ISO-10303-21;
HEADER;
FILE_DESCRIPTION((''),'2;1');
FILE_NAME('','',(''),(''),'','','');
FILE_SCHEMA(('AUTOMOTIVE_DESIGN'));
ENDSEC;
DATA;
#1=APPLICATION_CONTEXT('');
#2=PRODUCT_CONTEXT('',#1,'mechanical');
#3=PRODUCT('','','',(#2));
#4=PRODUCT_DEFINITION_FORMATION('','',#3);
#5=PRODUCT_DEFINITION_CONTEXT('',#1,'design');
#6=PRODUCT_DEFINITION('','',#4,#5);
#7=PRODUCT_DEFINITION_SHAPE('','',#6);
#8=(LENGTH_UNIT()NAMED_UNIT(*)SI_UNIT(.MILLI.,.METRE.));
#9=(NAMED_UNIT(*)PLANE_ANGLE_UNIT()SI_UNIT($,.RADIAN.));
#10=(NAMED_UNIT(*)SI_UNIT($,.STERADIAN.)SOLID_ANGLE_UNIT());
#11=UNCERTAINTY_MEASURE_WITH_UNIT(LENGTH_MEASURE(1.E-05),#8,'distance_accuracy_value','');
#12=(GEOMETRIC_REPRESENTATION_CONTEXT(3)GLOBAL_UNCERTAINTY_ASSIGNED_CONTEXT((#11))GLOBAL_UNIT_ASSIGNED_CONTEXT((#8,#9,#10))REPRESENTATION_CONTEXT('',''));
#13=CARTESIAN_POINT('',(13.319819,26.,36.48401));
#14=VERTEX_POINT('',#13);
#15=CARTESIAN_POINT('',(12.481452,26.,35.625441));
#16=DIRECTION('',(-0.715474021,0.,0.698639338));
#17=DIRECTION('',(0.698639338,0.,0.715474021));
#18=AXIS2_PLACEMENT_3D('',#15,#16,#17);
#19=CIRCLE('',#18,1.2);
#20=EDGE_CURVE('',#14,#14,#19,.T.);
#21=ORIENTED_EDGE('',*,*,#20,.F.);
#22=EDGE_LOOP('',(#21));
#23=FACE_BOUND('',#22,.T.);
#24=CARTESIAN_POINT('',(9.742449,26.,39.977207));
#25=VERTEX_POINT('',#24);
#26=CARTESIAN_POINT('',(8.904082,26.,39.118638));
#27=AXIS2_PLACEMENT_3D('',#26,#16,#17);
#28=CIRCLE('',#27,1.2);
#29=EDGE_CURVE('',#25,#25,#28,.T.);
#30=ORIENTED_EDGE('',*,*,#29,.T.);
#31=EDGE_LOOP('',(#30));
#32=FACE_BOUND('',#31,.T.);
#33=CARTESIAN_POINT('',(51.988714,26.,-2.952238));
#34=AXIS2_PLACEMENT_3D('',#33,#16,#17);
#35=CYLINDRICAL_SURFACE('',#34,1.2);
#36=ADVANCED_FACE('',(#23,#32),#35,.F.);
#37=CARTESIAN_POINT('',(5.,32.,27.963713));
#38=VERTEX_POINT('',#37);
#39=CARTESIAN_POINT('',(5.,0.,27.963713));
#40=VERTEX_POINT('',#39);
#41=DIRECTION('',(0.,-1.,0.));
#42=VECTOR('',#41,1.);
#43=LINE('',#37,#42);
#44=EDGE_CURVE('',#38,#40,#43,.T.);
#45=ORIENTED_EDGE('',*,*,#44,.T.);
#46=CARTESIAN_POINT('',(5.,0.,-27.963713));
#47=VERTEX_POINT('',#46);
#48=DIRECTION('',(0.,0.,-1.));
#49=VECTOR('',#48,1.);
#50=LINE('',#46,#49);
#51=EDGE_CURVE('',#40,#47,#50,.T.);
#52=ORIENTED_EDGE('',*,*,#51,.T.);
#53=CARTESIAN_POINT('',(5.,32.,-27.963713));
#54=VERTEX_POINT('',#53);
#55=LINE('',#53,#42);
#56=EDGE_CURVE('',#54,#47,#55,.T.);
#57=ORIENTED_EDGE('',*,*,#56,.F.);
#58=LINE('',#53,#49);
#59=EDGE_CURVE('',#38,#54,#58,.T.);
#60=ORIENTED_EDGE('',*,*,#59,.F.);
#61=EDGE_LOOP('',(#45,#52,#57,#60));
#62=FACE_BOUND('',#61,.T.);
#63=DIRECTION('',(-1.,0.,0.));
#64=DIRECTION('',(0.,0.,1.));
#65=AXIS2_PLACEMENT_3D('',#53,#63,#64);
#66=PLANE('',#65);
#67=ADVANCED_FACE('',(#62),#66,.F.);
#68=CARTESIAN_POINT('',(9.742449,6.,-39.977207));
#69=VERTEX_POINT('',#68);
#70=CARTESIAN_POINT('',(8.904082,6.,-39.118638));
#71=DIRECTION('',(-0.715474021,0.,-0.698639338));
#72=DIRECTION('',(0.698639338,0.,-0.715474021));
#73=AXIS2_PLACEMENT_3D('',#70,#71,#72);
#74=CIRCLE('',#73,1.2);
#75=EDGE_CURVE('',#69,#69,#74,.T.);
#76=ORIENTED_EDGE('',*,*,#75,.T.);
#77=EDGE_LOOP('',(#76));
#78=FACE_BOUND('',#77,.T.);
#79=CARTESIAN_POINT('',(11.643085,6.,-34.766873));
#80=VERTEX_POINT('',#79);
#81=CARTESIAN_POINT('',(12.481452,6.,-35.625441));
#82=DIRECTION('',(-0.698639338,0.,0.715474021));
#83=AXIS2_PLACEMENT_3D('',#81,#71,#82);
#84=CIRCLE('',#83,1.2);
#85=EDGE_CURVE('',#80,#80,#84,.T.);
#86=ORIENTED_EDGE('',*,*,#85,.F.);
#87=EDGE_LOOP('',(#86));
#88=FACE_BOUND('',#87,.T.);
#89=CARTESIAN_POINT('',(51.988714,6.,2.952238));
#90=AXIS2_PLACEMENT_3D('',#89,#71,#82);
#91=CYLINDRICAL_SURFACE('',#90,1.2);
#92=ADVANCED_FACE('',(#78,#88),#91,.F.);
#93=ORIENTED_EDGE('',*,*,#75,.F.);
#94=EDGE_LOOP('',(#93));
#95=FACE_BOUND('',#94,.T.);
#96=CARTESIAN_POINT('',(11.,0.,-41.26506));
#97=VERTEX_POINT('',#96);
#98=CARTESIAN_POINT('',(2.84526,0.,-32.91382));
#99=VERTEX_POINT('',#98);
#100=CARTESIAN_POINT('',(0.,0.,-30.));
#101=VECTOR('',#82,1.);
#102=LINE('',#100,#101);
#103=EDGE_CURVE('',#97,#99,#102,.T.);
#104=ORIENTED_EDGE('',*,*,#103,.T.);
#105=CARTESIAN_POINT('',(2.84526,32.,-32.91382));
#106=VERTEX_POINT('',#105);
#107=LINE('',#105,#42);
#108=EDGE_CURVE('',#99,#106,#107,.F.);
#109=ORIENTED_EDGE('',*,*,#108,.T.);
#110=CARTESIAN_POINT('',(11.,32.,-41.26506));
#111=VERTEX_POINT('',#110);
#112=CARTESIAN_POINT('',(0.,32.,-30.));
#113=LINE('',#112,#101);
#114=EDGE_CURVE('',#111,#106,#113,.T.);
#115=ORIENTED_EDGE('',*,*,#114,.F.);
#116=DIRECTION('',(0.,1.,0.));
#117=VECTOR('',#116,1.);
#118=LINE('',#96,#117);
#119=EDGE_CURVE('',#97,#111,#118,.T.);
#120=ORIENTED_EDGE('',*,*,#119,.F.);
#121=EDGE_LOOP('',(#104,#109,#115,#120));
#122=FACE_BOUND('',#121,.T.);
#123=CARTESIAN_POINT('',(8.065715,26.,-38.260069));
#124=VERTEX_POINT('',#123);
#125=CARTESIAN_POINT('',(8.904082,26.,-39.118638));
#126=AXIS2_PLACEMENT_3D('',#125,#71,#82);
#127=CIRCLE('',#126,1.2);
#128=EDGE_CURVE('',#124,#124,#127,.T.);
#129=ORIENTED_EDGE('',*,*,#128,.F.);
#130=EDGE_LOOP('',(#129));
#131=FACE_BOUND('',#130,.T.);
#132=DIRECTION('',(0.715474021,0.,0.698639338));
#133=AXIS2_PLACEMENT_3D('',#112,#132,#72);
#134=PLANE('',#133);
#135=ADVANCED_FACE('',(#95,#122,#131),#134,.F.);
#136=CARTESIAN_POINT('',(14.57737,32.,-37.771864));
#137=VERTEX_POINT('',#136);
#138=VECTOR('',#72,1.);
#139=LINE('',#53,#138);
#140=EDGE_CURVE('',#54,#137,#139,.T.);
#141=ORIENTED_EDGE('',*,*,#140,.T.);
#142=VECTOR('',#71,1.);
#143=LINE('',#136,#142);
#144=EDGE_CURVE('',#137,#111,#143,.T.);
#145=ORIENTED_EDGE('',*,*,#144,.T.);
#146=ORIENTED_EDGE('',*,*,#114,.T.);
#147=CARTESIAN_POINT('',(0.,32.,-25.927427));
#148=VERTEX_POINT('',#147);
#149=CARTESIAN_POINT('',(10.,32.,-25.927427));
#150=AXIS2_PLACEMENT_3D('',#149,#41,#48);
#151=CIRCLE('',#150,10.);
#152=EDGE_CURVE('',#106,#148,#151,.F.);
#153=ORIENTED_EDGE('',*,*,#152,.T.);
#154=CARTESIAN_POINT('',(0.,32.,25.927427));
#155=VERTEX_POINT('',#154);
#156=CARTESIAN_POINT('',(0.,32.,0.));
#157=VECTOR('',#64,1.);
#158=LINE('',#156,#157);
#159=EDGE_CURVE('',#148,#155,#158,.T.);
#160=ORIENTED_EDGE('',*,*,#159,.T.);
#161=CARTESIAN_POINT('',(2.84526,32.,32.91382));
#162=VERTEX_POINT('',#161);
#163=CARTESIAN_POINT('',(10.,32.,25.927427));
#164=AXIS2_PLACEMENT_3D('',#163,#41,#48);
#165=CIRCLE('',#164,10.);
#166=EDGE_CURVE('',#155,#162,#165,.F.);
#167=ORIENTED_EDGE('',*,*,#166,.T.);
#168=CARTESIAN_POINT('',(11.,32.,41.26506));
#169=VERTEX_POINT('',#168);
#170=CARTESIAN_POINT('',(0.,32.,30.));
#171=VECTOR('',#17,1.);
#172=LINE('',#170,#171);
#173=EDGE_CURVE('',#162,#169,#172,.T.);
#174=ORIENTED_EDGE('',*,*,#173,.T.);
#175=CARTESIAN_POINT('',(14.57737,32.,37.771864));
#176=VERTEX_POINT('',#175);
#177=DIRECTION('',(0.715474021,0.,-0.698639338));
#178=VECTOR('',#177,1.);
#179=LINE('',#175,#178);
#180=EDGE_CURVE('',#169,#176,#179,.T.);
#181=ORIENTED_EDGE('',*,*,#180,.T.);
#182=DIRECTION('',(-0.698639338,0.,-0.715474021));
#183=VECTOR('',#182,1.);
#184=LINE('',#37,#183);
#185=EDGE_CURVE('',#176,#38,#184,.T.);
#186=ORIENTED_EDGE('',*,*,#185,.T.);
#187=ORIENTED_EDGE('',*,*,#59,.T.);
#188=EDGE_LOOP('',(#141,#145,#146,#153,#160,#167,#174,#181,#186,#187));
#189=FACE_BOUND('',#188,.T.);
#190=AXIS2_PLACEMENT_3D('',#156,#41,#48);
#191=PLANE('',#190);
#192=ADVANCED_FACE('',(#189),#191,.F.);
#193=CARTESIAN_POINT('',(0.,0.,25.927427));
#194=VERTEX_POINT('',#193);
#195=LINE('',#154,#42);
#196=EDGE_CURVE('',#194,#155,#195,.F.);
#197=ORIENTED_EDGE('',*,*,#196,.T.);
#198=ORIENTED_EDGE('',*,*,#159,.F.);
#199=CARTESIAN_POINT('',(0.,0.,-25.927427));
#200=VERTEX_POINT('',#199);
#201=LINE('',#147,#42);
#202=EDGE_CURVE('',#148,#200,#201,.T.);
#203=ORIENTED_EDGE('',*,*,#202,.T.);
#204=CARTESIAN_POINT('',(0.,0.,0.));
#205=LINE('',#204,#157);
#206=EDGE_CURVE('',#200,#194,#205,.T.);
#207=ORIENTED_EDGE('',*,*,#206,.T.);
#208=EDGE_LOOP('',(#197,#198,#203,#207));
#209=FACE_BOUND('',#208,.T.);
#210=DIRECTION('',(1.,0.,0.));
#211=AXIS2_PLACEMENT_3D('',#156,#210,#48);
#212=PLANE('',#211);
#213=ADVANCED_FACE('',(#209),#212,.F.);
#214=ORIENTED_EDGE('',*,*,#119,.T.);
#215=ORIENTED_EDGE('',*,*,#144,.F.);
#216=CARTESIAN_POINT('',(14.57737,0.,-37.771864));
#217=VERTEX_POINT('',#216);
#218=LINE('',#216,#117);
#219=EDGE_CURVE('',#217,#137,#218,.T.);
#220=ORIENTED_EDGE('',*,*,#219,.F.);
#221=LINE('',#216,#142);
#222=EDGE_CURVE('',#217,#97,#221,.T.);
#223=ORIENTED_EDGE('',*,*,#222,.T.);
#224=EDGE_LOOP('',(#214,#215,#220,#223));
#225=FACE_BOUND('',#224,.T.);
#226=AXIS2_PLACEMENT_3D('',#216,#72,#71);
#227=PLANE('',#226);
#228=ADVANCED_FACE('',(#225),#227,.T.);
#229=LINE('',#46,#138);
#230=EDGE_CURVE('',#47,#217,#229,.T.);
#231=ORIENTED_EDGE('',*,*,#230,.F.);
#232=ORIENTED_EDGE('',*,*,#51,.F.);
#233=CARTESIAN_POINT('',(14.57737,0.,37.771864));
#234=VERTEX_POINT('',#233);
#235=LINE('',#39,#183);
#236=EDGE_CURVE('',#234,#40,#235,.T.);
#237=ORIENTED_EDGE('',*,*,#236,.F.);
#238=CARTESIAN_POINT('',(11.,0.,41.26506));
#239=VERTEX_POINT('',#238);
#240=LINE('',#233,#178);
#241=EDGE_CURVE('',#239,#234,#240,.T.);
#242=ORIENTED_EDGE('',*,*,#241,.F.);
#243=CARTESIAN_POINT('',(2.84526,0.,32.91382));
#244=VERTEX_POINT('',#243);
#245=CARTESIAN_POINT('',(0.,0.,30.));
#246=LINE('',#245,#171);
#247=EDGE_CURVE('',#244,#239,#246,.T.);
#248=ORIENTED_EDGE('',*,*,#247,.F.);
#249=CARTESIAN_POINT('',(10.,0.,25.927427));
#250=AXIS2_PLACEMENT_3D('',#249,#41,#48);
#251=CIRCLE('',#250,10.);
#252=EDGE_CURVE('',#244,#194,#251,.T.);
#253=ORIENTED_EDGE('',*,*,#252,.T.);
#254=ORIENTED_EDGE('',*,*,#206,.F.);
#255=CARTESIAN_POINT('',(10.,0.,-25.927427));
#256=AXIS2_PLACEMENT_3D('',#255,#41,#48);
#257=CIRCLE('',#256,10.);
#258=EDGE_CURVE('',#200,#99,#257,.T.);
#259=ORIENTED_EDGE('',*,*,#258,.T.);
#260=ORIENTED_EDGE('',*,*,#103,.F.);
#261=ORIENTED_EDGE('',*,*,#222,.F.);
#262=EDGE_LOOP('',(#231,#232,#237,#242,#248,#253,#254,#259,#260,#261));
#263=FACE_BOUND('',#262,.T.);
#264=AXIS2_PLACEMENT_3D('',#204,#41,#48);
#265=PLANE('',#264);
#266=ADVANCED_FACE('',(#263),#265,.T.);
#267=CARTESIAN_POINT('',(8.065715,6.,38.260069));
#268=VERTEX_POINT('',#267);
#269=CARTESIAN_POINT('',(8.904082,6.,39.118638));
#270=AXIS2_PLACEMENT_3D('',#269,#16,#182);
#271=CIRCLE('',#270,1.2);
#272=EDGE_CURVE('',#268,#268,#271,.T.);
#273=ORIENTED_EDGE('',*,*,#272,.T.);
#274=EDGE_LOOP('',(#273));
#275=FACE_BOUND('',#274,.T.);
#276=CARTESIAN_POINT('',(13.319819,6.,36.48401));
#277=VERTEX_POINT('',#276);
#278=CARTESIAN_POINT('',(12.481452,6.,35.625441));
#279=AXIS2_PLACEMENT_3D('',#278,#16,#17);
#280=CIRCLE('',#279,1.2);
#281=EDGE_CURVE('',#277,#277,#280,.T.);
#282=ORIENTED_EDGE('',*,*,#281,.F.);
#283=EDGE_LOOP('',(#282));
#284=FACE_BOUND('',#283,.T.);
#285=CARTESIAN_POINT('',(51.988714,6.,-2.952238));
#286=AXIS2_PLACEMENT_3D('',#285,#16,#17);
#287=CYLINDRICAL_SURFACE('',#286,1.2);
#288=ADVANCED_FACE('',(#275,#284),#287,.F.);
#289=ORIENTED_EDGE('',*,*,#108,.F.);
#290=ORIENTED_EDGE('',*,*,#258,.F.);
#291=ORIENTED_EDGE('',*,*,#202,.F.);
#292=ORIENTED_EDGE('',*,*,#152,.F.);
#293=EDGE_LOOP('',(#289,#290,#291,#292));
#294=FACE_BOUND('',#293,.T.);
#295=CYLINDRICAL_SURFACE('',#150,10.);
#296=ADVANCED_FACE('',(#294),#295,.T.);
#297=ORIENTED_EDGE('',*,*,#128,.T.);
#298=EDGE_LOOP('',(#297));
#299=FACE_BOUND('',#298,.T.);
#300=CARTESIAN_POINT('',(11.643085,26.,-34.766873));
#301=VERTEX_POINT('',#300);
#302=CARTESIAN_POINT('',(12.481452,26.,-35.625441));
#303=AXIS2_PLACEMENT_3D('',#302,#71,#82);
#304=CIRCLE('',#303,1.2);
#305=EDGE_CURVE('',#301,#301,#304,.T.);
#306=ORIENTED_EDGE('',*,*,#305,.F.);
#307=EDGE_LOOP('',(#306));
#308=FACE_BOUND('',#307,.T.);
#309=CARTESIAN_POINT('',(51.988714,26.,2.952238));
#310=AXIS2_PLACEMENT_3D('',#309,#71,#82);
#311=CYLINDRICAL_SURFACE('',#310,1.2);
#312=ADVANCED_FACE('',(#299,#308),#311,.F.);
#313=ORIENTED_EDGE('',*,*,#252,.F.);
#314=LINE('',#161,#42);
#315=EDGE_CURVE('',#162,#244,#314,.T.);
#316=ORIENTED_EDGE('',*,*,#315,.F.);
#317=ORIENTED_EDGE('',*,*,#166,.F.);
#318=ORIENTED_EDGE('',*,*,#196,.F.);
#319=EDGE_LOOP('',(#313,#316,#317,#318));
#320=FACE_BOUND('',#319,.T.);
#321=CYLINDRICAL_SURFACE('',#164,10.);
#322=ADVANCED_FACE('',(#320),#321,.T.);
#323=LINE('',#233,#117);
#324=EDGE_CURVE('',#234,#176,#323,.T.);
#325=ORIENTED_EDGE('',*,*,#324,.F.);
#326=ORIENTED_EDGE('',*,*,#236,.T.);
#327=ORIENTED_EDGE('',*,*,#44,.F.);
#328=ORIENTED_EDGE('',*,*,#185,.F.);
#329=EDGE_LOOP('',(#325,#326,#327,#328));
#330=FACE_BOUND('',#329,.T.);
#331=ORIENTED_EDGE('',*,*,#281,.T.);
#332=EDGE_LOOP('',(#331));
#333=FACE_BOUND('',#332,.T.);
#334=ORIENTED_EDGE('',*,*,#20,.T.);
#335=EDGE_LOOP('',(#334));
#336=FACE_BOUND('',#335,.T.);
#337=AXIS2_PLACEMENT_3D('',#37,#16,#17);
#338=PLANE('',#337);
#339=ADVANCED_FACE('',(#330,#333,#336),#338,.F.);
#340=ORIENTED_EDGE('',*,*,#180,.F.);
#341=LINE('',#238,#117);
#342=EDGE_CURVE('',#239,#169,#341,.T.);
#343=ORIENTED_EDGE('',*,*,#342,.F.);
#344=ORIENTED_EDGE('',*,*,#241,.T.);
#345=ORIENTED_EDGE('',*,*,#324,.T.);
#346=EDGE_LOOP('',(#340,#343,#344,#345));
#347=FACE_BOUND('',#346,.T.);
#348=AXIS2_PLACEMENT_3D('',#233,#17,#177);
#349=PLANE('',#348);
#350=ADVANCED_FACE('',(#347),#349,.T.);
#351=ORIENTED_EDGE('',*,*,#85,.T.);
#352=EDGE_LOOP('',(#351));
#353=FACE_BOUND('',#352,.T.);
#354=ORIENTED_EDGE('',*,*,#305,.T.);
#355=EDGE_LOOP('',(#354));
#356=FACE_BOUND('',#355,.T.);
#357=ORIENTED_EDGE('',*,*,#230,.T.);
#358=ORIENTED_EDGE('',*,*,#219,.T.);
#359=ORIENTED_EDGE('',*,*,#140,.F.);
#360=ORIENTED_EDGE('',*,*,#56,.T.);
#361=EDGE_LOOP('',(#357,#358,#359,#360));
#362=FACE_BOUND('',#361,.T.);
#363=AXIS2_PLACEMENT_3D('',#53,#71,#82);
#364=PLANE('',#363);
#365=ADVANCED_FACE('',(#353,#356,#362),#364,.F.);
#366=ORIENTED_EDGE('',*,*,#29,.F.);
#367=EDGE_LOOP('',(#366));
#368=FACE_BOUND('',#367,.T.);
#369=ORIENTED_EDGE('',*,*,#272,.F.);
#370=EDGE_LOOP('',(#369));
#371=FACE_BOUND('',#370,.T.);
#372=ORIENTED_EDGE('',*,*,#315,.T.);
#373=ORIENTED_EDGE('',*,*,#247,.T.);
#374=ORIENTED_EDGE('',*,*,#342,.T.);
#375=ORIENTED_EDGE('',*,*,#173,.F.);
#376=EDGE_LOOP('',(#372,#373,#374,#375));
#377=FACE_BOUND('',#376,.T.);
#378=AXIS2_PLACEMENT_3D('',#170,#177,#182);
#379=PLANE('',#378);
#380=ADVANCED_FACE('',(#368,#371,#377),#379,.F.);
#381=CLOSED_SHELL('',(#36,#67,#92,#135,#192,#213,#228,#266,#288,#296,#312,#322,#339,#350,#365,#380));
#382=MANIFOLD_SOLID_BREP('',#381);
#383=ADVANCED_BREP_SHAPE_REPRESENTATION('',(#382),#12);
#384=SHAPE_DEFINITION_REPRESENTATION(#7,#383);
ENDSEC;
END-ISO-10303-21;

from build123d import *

# Parameters (mm, degrees)
BOSS_EXTRUDE1_DEPTH = 32
FILLET1_R           = 10
SKETCH4_W           = 170.11041037
SKETCH4_H           = 258.008077424
CUT_EXTRUDE2_DEPTH  = 33
SKETCH6_R           = 1.2
CUT_EXTRUDE3_DEPTH  = 61.218304139
SKETCH7_R           = 1.2
CUT_EXTRUDE4_DEPTH  = 61.218304139


with BuildPart() as part:
    # Sketch1 → Boss-Extrude1 (new body)
    with BuildSketch(Plane(origin=(0, 0, 0), x_dir=(1, 0, 0), z_dir=(0, 1, 0))):
        Polygon((0, 0), (0, 30), (83, 115), (83, 107.843231513), (5, 27.963713441), (5, -27.963713441), (83, -107.843231513), (83, -115), (0, -30), align=None)
    extrude(amount=BOSS_EXTRUDE1_DEPTH)

    # Fillet1
    fillet1_edges = [part.edges().sort_by_distance(p)[0] for p in [
        (0, 16, 30),
        (0, 16, -30),
    ]]
    fillet(fillet1_edges, radius=FILLET1_R)

    # Sketch4 → Cut-Extrude2 (cut, through all)
    with BuildSketch(Plane(origin=(0, 32, 0), x_dir=(1, 0, 0), z_dir=(0, 1, 0))):
        with Locations((35.635219957, -4.046970822)):
            Rectangle(SKETCH4_W, SKETCH4_H)
        Polygon((14.577370106, -37.771863549), (11, -41.265060241), (0, -41.265060241), (0, 41.265060241), (11, 41.265060241), (14.577370106, 37.771863549), align=None, mode=Mode.SUBTRACT)
    extrude(amount=-CUT_EXTRUDE2_DEPTH, mode=Mode.SUBTRACT)

    # Sketch6 → Cut-Extrude3 (cut, through all)
    with BuildSketch(Plane(origin=(-14.995748902, 0, -14.642907751), x_dir=(-0.698639338, 0, 0.715474021), z_dir=(-0.715474021, 0, -0.698639338))):
        with Locations((-34.209111306, 26)):
            Circle(SKETCH6_R)
        with Locations((-34.209111306, 6)):
            Circle(SKETCH6_R)
    extrude(amount=-CUT_EXTRUDE3_DEPTH, mode=Mode.SUBTRACT)

    # Sketch7 → Cut-Extrude4 (cut, through all)
    with BuildSketch(Plane(origin=(-14.995748902, 0, 14.642907751), x_dir=(0.698639338, 0, 0.715474021), z_dir=(-0.715474021, 0, 0.698639338))):
        with Locations((34.209111306, 26)):
            Circle(SKETCH7_R)
        with Locations((34.209111306, 6)):
            Circle(SKETCH7_R)
    extrude(amount=-CUT_EXTRUDE4_DEPTH, mode=Mode.SUBTRACT)


solid = part.part
